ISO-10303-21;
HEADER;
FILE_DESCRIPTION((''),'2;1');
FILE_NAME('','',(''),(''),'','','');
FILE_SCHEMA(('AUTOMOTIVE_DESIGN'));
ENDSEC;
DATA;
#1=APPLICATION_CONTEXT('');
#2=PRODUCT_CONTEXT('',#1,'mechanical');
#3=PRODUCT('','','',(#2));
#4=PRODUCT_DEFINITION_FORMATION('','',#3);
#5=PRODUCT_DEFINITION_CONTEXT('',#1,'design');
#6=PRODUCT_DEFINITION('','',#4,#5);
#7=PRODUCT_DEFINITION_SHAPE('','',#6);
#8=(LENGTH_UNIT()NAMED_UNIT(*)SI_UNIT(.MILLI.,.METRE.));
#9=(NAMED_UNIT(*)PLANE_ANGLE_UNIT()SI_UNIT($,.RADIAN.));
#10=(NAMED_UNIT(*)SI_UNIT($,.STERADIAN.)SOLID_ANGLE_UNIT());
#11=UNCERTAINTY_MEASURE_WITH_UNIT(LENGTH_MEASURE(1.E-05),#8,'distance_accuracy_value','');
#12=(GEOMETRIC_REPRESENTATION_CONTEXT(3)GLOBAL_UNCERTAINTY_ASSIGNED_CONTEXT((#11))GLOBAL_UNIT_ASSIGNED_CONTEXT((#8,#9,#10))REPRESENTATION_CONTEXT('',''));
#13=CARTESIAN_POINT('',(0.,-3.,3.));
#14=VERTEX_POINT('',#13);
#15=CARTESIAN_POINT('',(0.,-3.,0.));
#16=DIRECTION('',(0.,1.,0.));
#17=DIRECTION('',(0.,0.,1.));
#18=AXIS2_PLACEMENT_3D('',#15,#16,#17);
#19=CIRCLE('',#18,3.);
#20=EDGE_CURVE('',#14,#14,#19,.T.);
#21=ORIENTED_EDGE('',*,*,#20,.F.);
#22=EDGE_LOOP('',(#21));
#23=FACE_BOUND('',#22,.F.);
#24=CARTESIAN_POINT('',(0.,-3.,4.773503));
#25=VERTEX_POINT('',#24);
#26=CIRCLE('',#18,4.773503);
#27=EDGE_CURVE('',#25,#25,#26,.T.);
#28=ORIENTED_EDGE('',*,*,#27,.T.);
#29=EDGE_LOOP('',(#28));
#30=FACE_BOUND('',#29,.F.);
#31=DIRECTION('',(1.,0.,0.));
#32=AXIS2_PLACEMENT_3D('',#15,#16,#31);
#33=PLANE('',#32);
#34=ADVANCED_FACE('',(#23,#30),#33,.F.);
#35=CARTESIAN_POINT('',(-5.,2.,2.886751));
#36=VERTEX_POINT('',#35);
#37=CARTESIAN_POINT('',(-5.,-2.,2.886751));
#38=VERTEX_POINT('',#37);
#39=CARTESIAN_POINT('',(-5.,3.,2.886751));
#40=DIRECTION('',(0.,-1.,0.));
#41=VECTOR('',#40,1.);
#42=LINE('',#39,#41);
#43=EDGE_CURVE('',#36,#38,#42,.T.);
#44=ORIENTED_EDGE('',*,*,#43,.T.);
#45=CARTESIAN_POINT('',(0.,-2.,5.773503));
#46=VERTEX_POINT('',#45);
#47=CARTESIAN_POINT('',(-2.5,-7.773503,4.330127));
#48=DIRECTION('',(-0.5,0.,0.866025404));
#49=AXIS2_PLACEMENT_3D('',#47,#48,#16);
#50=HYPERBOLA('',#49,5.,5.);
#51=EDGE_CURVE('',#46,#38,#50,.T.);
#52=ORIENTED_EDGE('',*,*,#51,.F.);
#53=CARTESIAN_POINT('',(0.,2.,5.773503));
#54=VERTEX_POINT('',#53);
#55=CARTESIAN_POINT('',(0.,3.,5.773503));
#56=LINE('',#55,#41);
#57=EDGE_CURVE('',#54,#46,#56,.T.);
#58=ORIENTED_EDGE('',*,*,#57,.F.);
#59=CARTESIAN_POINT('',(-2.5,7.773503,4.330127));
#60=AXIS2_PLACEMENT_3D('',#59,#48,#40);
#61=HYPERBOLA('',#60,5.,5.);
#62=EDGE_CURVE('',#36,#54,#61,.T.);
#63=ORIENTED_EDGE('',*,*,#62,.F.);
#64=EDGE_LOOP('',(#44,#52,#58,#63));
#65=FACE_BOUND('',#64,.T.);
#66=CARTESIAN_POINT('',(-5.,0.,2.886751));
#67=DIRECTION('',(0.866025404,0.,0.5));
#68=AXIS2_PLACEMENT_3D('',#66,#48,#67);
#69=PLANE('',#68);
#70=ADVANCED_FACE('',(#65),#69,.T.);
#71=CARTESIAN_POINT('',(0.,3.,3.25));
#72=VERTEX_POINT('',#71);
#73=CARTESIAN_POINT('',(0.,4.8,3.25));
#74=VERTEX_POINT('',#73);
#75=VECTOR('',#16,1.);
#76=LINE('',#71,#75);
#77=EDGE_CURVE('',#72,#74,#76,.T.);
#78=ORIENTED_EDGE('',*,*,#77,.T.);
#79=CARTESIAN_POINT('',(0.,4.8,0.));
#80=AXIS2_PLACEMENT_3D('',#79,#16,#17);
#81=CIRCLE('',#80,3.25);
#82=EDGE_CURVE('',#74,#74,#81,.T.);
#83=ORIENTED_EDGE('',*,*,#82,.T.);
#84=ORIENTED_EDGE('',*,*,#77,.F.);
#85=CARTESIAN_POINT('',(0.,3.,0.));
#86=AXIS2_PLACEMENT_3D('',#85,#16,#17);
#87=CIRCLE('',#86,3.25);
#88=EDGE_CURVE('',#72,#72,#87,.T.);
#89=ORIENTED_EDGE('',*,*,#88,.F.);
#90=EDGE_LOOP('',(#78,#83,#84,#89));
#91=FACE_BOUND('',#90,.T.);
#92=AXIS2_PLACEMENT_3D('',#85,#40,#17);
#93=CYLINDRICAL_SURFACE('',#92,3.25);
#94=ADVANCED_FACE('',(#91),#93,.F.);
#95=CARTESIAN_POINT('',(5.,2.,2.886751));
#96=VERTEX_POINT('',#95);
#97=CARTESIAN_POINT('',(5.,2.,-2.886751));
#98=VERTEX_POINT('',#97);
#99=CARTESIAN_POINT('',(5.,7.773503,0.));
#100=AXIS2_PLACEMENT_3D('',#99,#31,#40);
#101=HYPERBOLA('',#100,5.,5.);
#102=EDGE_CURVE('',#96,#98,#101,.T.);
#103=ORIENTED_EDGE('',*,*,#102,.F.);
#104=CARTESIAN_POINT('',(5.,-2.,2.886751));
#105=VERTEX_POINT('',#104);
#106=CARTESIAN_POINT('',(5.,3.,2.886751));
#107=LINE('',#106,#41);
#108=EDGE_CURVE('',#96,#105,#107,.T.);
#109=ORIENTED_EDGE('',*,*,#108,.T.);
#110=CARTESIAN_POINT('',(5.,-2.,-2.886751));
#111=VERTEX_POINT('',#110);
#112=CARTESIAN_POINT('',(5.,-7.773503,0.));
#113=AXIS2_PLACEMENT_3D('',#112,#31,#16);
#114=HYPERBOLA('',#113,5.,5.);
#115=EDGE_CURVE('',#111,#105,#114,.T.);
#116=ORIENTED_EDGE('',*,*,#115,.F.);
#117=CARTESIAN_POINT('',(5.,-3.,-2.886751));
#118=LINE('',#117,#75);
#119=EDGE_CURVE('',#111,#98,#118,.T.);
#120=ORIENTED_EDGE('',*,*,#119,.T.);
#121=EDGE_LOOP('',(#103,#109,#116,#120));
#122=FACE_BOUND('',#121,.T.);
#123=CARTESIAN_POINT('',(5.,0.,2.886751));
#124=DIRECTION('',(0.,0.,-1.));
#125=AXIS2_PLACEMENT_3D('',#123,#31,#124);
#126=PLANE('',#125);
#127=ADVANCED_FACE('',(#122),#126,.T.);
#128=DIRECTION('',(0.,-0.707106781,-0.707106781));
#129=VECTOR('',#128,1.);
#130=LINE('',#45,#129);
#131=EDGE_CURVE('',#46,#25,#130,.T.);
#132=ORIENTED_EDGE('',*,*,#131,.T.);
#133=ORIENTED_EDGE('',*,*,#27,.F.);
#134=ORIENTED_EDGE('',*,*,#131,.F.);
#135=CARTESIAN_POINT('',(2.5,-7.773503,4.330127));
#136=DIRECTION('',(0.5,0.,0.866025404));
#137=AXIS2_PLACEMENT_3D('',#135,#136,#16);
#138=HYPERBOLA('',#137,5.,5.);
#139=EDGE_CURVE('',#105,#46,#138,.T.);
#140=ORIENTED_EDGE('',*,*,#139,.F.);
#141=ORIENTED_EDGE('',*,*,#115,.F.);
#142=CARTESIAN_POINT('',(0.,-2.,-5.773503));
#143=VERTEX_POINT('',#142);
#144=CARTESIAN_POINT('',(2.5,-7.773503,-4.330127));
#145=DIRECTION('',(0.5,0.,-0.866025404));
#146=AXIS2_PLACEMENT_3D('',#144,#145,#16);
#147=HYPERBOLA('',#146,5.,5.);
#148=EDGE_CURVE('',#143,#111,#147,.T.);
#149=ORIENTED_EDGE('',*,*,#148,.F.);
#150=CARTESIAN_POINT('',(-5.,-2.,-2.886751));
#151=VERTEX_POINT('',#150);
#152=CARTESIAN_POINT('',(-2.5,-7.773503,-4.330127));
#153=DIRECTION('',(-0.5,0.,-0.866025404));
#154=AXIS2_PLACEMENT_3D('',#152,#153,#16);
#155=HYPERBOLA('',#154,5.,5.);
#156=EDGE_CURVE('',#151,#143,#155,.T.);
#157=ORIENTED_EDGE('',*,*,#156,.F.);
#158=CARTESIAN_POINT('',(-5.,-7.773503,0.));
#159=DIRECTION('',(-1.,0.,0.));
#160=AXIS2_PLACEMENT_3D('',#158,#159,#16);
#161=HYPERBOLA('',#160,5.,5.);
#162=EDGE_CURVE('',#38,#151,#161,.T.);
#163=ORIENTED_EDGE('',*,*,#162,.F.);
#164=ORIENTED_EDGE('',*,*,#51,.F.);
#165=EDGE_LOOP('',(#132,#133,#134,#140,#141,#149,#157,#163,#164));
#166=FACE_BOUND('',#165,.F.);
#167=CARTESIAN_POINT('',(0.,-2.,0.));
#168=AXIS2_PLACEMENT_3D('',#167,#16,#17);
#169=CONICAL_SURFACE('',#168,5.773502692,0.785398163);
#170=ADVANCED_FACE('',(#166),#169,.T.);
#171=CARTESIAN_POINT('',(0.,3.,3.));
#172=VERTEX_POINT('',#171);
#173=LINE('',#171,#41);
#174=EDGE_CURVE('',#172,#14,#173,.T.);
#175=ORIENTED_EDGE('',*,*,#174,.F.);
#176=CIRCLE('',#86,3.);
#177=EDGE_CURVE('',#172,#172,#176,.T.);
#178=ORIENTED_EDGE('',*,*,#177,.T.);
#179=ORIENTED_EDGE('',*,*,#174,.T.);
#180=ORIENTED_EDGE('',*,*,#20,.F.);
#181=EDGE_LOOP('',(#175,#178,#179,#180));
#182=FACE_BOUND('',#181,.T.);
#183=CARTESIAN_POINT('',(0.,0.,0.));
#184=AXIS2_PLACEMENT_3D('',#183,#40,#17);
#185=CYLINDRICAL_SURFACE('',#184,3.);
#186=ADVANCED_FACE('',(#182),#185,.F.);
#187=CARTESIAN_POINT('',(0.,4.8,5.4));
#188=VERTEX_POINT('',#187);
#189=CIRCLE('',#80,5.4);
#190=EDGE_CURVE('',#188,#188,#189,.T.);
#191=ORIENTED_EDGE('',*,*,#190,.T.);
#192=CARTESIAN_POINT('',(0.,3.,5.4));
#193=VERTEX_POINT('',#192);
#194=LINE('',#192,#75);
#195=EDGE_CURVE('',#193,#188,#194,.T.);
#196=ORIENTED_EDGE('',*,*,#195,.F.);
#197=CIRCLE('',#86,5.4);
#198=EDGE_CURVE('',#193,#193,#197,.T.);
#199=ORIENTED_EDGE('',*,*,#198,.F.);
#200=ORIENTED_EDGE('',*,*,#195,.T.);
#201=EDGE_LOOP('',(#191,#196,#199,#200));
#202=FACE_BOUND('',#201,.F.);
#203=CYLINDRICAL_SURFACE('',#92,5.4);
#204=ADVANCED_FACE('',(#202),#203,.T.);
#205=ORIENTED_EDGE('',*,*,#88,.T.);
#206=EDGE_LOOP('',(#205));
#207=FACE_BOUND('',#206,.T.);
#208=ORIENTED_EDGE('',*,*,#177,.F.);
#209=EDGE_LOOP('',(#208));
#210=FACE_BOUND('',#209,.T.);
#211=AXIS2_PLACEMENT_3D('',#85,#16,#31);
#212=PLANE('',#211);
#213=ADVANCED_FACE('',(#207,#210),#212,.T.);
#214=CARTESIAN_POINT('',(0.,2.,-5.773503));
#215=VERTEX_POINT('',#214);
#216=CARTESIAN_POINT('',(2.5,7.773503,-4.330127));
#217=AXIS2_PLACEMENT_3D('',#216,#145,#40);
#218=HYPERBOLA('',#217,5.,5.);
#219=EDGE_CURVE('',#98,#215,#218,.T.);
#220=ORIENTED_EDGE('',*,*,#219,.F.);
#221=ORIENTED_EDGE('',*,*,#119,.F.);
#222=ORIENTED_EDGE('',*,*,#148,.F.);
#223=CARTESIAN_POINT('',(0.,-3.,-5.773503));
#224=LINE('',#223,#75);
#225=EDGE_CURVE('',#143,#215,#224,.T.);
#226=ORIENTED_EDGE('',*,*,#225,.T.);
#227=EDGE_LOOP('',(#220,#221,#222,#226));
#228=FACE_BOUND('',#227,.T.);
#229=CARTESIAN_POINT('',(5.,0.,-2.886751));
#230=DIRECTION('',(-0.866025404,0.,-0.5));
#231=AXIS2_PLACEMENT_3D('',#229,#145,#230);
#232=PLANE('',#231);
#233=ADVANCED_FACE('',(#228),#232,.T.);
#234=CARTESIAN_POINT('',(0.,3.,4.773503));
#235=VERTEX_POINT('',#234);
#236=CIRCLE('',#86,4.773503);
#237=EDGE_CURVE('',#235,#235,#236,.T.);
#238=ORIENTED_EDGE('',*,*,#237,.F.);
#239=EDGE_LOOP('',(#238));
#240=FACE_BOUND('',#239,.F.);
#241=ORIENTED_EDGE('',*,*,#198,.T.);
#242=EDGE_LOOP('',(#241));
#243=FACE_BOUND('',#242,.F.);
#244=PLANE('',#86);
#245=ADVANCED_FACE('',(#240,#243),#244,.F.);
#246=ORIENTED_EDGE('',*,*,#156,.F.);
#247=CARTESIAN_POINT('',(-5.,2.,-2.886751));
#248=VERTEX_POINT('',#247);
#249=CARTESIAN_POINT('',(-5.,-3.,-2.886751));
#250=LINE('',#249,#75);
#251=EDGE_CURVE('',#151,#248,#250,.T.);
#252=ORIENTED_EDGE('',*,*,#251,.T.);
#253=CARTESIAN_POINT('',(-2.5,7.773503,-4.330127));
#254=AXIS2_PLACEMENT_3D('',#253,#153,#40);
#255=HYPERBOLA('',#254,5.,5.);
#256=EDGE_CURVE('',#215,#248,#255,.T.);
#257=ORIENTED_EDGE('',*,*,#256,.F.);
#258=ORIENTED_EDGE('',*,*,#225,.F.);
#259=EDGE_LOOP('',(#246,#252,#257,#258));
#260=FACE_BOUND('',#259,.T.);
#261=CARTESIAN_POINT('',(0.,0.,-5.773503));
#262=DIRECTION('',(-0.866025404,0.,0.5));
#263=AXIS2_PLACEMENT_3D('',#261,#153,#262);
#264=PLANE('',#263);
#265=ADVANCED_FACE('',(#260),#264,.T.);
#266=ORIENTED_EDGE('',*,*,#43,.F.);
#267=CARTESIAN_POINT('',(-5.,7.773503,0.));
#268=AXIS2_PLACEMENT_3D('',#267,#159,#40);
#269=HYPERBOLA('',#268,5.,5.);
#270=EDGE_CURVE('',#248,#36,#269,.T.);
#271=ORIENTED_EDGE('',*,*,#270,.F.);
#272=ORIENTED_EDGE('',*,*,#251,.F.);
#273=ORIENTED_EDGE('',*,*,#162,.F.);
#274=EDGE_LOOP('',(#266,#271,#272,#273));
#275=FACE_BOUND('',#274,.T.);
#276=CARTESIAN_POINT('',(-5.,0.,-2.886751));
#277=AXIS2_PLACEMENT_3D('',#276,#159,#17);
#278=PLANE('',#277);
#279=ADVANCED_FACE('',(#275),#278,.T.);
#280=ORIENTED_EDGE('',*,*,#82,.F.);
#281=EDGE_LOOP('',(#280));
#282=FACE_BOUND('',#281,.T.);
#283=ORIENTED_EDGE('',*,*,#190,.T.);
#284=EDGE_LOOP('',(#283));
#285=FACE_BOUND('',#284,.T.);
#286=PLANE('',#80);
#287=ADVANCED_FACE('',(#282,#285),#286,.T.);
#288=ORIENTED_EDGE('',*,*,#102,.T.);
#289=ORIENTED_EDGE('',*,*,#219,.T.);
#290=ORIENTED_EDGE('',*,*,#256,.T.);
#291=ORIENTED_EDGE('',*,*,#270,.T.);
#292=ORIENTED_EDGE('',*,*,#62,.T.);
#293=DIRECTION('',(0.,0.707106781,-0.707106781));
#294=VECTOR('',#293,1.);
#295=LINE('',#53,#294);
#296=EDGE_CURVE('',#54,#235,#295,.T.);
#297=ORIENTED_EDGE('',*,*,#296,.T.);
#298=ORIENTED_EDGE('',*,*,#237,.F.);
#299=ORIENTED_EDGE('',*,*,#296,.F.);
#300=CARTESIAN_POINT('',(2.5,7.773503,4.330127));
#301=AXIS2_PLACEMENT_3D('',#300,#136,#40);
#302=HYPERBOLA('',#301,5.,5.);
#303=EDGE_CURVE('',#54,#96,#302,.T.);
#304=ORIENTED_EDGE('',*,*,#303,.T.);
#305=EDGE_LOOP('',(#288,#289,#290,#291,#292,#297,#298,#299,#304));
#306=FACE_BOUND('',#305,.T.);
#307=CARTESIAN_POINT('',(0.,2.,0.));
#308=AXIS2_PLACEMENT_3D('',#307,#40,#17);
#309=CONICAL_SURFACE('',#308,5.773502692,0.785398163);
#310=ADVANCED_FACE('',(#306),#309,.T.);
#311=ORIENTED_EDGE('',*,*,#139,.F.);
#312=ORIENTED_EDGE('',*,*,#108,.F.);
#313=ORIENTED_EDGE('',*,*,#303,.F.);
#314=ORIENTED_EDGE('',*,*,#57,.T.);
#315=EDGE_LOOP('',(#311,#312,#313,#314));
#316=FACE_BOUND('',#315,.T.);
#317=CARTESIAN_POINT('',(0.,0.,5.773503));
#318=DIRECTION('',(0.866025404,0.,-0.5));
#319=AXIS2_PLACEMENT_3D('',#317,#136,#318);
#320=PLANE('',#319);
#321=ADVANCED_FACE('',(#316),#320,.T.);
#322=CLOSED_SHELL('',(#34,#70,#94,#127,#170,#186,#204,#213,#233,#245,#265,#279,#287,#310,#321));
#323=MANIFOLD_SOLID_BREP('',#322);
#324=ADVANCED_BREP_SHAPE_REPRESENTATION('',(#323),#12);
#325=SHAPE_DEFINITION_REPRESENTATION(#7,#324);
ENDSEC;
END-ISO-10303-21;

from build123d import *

# Parameters (mm, degrees)
SZKIC1_R                    = 3
DODANIE_WYCI_GNI_CIE1_DEPTH = 3
SZKIC4_R                    = 5.4
SZKIC4_R_2                  = 3.25
DODANIE_WYCI_GNI_CIE2_DEPTH = 1.8


with BuildPart() as part:
    # Szkic1 → Dodanie-wyciągnięcie1 (new, symmetric)
    with BuildSketch(Plane(origin=(0, 0, 0), x_dir=(1, 0, 0), z_dir=(0, 1, 0))):
        Polygon((5, -2.886751346), (5, 2.886751346), (0, 5.773502692), (-5, 2.886751346), (-5, -2.886751346), (0, -5.773502692), align=None)
        with Locations(Location((0, 0, 0), (0, 0, 270))):
            Circle(SZKIC1_R, mode=Mode.SUBTRACT)
    extrude(amount=DODANIE_WYCI_GNI_CIE1_DEPTH, both=True)

    # Szkic3 → Wycięcie-obrót9 (revolve, cut)
    with BuildSketch(Plane(origin=(0, 0, 0), x_dir=(0, 0, -1), z_dir=(1, 0, 0)), mode=Mode.PRIVATE) as wyci_cie_obr_t9_sk:
        Polygon((5.773502692, 3), (5.773502692, 2), (4.773502692, 3), align=None)
        Polygon((4.773502692, -3), (5.773502692, -3), (5.773502692, -2), align=None)
    revolve(wyci_cie_obr_t9_sk.sketch.rotate(Axis((0, 0, 0), (0, 1, 0)), 180), axis=Axis((0, 0, 0), (0, 1, 0)), mode=Mode.SUBTRACT)

    # Szkic4 → Dodanie-wyciągnięcie2 (add)
    with BuildSketch(Plane(origin=(0, 3, 0), x_dir=(1, 0, 0), z_dir=(0, 1, 0))):
        with Locations(Location((0, 0, 0), (0, 0, 270))):
            Circle(SZKIC4_R)
        with Locations(Location((0, 0, 0), (0, 0, 270))):
            Circle(SZKIC4_R_2, mode=Mode.SUBTRACT)
    extrude(amount=DODANIE_WYCI_GNI_CIE2_DEPTH)


solid = part.part
